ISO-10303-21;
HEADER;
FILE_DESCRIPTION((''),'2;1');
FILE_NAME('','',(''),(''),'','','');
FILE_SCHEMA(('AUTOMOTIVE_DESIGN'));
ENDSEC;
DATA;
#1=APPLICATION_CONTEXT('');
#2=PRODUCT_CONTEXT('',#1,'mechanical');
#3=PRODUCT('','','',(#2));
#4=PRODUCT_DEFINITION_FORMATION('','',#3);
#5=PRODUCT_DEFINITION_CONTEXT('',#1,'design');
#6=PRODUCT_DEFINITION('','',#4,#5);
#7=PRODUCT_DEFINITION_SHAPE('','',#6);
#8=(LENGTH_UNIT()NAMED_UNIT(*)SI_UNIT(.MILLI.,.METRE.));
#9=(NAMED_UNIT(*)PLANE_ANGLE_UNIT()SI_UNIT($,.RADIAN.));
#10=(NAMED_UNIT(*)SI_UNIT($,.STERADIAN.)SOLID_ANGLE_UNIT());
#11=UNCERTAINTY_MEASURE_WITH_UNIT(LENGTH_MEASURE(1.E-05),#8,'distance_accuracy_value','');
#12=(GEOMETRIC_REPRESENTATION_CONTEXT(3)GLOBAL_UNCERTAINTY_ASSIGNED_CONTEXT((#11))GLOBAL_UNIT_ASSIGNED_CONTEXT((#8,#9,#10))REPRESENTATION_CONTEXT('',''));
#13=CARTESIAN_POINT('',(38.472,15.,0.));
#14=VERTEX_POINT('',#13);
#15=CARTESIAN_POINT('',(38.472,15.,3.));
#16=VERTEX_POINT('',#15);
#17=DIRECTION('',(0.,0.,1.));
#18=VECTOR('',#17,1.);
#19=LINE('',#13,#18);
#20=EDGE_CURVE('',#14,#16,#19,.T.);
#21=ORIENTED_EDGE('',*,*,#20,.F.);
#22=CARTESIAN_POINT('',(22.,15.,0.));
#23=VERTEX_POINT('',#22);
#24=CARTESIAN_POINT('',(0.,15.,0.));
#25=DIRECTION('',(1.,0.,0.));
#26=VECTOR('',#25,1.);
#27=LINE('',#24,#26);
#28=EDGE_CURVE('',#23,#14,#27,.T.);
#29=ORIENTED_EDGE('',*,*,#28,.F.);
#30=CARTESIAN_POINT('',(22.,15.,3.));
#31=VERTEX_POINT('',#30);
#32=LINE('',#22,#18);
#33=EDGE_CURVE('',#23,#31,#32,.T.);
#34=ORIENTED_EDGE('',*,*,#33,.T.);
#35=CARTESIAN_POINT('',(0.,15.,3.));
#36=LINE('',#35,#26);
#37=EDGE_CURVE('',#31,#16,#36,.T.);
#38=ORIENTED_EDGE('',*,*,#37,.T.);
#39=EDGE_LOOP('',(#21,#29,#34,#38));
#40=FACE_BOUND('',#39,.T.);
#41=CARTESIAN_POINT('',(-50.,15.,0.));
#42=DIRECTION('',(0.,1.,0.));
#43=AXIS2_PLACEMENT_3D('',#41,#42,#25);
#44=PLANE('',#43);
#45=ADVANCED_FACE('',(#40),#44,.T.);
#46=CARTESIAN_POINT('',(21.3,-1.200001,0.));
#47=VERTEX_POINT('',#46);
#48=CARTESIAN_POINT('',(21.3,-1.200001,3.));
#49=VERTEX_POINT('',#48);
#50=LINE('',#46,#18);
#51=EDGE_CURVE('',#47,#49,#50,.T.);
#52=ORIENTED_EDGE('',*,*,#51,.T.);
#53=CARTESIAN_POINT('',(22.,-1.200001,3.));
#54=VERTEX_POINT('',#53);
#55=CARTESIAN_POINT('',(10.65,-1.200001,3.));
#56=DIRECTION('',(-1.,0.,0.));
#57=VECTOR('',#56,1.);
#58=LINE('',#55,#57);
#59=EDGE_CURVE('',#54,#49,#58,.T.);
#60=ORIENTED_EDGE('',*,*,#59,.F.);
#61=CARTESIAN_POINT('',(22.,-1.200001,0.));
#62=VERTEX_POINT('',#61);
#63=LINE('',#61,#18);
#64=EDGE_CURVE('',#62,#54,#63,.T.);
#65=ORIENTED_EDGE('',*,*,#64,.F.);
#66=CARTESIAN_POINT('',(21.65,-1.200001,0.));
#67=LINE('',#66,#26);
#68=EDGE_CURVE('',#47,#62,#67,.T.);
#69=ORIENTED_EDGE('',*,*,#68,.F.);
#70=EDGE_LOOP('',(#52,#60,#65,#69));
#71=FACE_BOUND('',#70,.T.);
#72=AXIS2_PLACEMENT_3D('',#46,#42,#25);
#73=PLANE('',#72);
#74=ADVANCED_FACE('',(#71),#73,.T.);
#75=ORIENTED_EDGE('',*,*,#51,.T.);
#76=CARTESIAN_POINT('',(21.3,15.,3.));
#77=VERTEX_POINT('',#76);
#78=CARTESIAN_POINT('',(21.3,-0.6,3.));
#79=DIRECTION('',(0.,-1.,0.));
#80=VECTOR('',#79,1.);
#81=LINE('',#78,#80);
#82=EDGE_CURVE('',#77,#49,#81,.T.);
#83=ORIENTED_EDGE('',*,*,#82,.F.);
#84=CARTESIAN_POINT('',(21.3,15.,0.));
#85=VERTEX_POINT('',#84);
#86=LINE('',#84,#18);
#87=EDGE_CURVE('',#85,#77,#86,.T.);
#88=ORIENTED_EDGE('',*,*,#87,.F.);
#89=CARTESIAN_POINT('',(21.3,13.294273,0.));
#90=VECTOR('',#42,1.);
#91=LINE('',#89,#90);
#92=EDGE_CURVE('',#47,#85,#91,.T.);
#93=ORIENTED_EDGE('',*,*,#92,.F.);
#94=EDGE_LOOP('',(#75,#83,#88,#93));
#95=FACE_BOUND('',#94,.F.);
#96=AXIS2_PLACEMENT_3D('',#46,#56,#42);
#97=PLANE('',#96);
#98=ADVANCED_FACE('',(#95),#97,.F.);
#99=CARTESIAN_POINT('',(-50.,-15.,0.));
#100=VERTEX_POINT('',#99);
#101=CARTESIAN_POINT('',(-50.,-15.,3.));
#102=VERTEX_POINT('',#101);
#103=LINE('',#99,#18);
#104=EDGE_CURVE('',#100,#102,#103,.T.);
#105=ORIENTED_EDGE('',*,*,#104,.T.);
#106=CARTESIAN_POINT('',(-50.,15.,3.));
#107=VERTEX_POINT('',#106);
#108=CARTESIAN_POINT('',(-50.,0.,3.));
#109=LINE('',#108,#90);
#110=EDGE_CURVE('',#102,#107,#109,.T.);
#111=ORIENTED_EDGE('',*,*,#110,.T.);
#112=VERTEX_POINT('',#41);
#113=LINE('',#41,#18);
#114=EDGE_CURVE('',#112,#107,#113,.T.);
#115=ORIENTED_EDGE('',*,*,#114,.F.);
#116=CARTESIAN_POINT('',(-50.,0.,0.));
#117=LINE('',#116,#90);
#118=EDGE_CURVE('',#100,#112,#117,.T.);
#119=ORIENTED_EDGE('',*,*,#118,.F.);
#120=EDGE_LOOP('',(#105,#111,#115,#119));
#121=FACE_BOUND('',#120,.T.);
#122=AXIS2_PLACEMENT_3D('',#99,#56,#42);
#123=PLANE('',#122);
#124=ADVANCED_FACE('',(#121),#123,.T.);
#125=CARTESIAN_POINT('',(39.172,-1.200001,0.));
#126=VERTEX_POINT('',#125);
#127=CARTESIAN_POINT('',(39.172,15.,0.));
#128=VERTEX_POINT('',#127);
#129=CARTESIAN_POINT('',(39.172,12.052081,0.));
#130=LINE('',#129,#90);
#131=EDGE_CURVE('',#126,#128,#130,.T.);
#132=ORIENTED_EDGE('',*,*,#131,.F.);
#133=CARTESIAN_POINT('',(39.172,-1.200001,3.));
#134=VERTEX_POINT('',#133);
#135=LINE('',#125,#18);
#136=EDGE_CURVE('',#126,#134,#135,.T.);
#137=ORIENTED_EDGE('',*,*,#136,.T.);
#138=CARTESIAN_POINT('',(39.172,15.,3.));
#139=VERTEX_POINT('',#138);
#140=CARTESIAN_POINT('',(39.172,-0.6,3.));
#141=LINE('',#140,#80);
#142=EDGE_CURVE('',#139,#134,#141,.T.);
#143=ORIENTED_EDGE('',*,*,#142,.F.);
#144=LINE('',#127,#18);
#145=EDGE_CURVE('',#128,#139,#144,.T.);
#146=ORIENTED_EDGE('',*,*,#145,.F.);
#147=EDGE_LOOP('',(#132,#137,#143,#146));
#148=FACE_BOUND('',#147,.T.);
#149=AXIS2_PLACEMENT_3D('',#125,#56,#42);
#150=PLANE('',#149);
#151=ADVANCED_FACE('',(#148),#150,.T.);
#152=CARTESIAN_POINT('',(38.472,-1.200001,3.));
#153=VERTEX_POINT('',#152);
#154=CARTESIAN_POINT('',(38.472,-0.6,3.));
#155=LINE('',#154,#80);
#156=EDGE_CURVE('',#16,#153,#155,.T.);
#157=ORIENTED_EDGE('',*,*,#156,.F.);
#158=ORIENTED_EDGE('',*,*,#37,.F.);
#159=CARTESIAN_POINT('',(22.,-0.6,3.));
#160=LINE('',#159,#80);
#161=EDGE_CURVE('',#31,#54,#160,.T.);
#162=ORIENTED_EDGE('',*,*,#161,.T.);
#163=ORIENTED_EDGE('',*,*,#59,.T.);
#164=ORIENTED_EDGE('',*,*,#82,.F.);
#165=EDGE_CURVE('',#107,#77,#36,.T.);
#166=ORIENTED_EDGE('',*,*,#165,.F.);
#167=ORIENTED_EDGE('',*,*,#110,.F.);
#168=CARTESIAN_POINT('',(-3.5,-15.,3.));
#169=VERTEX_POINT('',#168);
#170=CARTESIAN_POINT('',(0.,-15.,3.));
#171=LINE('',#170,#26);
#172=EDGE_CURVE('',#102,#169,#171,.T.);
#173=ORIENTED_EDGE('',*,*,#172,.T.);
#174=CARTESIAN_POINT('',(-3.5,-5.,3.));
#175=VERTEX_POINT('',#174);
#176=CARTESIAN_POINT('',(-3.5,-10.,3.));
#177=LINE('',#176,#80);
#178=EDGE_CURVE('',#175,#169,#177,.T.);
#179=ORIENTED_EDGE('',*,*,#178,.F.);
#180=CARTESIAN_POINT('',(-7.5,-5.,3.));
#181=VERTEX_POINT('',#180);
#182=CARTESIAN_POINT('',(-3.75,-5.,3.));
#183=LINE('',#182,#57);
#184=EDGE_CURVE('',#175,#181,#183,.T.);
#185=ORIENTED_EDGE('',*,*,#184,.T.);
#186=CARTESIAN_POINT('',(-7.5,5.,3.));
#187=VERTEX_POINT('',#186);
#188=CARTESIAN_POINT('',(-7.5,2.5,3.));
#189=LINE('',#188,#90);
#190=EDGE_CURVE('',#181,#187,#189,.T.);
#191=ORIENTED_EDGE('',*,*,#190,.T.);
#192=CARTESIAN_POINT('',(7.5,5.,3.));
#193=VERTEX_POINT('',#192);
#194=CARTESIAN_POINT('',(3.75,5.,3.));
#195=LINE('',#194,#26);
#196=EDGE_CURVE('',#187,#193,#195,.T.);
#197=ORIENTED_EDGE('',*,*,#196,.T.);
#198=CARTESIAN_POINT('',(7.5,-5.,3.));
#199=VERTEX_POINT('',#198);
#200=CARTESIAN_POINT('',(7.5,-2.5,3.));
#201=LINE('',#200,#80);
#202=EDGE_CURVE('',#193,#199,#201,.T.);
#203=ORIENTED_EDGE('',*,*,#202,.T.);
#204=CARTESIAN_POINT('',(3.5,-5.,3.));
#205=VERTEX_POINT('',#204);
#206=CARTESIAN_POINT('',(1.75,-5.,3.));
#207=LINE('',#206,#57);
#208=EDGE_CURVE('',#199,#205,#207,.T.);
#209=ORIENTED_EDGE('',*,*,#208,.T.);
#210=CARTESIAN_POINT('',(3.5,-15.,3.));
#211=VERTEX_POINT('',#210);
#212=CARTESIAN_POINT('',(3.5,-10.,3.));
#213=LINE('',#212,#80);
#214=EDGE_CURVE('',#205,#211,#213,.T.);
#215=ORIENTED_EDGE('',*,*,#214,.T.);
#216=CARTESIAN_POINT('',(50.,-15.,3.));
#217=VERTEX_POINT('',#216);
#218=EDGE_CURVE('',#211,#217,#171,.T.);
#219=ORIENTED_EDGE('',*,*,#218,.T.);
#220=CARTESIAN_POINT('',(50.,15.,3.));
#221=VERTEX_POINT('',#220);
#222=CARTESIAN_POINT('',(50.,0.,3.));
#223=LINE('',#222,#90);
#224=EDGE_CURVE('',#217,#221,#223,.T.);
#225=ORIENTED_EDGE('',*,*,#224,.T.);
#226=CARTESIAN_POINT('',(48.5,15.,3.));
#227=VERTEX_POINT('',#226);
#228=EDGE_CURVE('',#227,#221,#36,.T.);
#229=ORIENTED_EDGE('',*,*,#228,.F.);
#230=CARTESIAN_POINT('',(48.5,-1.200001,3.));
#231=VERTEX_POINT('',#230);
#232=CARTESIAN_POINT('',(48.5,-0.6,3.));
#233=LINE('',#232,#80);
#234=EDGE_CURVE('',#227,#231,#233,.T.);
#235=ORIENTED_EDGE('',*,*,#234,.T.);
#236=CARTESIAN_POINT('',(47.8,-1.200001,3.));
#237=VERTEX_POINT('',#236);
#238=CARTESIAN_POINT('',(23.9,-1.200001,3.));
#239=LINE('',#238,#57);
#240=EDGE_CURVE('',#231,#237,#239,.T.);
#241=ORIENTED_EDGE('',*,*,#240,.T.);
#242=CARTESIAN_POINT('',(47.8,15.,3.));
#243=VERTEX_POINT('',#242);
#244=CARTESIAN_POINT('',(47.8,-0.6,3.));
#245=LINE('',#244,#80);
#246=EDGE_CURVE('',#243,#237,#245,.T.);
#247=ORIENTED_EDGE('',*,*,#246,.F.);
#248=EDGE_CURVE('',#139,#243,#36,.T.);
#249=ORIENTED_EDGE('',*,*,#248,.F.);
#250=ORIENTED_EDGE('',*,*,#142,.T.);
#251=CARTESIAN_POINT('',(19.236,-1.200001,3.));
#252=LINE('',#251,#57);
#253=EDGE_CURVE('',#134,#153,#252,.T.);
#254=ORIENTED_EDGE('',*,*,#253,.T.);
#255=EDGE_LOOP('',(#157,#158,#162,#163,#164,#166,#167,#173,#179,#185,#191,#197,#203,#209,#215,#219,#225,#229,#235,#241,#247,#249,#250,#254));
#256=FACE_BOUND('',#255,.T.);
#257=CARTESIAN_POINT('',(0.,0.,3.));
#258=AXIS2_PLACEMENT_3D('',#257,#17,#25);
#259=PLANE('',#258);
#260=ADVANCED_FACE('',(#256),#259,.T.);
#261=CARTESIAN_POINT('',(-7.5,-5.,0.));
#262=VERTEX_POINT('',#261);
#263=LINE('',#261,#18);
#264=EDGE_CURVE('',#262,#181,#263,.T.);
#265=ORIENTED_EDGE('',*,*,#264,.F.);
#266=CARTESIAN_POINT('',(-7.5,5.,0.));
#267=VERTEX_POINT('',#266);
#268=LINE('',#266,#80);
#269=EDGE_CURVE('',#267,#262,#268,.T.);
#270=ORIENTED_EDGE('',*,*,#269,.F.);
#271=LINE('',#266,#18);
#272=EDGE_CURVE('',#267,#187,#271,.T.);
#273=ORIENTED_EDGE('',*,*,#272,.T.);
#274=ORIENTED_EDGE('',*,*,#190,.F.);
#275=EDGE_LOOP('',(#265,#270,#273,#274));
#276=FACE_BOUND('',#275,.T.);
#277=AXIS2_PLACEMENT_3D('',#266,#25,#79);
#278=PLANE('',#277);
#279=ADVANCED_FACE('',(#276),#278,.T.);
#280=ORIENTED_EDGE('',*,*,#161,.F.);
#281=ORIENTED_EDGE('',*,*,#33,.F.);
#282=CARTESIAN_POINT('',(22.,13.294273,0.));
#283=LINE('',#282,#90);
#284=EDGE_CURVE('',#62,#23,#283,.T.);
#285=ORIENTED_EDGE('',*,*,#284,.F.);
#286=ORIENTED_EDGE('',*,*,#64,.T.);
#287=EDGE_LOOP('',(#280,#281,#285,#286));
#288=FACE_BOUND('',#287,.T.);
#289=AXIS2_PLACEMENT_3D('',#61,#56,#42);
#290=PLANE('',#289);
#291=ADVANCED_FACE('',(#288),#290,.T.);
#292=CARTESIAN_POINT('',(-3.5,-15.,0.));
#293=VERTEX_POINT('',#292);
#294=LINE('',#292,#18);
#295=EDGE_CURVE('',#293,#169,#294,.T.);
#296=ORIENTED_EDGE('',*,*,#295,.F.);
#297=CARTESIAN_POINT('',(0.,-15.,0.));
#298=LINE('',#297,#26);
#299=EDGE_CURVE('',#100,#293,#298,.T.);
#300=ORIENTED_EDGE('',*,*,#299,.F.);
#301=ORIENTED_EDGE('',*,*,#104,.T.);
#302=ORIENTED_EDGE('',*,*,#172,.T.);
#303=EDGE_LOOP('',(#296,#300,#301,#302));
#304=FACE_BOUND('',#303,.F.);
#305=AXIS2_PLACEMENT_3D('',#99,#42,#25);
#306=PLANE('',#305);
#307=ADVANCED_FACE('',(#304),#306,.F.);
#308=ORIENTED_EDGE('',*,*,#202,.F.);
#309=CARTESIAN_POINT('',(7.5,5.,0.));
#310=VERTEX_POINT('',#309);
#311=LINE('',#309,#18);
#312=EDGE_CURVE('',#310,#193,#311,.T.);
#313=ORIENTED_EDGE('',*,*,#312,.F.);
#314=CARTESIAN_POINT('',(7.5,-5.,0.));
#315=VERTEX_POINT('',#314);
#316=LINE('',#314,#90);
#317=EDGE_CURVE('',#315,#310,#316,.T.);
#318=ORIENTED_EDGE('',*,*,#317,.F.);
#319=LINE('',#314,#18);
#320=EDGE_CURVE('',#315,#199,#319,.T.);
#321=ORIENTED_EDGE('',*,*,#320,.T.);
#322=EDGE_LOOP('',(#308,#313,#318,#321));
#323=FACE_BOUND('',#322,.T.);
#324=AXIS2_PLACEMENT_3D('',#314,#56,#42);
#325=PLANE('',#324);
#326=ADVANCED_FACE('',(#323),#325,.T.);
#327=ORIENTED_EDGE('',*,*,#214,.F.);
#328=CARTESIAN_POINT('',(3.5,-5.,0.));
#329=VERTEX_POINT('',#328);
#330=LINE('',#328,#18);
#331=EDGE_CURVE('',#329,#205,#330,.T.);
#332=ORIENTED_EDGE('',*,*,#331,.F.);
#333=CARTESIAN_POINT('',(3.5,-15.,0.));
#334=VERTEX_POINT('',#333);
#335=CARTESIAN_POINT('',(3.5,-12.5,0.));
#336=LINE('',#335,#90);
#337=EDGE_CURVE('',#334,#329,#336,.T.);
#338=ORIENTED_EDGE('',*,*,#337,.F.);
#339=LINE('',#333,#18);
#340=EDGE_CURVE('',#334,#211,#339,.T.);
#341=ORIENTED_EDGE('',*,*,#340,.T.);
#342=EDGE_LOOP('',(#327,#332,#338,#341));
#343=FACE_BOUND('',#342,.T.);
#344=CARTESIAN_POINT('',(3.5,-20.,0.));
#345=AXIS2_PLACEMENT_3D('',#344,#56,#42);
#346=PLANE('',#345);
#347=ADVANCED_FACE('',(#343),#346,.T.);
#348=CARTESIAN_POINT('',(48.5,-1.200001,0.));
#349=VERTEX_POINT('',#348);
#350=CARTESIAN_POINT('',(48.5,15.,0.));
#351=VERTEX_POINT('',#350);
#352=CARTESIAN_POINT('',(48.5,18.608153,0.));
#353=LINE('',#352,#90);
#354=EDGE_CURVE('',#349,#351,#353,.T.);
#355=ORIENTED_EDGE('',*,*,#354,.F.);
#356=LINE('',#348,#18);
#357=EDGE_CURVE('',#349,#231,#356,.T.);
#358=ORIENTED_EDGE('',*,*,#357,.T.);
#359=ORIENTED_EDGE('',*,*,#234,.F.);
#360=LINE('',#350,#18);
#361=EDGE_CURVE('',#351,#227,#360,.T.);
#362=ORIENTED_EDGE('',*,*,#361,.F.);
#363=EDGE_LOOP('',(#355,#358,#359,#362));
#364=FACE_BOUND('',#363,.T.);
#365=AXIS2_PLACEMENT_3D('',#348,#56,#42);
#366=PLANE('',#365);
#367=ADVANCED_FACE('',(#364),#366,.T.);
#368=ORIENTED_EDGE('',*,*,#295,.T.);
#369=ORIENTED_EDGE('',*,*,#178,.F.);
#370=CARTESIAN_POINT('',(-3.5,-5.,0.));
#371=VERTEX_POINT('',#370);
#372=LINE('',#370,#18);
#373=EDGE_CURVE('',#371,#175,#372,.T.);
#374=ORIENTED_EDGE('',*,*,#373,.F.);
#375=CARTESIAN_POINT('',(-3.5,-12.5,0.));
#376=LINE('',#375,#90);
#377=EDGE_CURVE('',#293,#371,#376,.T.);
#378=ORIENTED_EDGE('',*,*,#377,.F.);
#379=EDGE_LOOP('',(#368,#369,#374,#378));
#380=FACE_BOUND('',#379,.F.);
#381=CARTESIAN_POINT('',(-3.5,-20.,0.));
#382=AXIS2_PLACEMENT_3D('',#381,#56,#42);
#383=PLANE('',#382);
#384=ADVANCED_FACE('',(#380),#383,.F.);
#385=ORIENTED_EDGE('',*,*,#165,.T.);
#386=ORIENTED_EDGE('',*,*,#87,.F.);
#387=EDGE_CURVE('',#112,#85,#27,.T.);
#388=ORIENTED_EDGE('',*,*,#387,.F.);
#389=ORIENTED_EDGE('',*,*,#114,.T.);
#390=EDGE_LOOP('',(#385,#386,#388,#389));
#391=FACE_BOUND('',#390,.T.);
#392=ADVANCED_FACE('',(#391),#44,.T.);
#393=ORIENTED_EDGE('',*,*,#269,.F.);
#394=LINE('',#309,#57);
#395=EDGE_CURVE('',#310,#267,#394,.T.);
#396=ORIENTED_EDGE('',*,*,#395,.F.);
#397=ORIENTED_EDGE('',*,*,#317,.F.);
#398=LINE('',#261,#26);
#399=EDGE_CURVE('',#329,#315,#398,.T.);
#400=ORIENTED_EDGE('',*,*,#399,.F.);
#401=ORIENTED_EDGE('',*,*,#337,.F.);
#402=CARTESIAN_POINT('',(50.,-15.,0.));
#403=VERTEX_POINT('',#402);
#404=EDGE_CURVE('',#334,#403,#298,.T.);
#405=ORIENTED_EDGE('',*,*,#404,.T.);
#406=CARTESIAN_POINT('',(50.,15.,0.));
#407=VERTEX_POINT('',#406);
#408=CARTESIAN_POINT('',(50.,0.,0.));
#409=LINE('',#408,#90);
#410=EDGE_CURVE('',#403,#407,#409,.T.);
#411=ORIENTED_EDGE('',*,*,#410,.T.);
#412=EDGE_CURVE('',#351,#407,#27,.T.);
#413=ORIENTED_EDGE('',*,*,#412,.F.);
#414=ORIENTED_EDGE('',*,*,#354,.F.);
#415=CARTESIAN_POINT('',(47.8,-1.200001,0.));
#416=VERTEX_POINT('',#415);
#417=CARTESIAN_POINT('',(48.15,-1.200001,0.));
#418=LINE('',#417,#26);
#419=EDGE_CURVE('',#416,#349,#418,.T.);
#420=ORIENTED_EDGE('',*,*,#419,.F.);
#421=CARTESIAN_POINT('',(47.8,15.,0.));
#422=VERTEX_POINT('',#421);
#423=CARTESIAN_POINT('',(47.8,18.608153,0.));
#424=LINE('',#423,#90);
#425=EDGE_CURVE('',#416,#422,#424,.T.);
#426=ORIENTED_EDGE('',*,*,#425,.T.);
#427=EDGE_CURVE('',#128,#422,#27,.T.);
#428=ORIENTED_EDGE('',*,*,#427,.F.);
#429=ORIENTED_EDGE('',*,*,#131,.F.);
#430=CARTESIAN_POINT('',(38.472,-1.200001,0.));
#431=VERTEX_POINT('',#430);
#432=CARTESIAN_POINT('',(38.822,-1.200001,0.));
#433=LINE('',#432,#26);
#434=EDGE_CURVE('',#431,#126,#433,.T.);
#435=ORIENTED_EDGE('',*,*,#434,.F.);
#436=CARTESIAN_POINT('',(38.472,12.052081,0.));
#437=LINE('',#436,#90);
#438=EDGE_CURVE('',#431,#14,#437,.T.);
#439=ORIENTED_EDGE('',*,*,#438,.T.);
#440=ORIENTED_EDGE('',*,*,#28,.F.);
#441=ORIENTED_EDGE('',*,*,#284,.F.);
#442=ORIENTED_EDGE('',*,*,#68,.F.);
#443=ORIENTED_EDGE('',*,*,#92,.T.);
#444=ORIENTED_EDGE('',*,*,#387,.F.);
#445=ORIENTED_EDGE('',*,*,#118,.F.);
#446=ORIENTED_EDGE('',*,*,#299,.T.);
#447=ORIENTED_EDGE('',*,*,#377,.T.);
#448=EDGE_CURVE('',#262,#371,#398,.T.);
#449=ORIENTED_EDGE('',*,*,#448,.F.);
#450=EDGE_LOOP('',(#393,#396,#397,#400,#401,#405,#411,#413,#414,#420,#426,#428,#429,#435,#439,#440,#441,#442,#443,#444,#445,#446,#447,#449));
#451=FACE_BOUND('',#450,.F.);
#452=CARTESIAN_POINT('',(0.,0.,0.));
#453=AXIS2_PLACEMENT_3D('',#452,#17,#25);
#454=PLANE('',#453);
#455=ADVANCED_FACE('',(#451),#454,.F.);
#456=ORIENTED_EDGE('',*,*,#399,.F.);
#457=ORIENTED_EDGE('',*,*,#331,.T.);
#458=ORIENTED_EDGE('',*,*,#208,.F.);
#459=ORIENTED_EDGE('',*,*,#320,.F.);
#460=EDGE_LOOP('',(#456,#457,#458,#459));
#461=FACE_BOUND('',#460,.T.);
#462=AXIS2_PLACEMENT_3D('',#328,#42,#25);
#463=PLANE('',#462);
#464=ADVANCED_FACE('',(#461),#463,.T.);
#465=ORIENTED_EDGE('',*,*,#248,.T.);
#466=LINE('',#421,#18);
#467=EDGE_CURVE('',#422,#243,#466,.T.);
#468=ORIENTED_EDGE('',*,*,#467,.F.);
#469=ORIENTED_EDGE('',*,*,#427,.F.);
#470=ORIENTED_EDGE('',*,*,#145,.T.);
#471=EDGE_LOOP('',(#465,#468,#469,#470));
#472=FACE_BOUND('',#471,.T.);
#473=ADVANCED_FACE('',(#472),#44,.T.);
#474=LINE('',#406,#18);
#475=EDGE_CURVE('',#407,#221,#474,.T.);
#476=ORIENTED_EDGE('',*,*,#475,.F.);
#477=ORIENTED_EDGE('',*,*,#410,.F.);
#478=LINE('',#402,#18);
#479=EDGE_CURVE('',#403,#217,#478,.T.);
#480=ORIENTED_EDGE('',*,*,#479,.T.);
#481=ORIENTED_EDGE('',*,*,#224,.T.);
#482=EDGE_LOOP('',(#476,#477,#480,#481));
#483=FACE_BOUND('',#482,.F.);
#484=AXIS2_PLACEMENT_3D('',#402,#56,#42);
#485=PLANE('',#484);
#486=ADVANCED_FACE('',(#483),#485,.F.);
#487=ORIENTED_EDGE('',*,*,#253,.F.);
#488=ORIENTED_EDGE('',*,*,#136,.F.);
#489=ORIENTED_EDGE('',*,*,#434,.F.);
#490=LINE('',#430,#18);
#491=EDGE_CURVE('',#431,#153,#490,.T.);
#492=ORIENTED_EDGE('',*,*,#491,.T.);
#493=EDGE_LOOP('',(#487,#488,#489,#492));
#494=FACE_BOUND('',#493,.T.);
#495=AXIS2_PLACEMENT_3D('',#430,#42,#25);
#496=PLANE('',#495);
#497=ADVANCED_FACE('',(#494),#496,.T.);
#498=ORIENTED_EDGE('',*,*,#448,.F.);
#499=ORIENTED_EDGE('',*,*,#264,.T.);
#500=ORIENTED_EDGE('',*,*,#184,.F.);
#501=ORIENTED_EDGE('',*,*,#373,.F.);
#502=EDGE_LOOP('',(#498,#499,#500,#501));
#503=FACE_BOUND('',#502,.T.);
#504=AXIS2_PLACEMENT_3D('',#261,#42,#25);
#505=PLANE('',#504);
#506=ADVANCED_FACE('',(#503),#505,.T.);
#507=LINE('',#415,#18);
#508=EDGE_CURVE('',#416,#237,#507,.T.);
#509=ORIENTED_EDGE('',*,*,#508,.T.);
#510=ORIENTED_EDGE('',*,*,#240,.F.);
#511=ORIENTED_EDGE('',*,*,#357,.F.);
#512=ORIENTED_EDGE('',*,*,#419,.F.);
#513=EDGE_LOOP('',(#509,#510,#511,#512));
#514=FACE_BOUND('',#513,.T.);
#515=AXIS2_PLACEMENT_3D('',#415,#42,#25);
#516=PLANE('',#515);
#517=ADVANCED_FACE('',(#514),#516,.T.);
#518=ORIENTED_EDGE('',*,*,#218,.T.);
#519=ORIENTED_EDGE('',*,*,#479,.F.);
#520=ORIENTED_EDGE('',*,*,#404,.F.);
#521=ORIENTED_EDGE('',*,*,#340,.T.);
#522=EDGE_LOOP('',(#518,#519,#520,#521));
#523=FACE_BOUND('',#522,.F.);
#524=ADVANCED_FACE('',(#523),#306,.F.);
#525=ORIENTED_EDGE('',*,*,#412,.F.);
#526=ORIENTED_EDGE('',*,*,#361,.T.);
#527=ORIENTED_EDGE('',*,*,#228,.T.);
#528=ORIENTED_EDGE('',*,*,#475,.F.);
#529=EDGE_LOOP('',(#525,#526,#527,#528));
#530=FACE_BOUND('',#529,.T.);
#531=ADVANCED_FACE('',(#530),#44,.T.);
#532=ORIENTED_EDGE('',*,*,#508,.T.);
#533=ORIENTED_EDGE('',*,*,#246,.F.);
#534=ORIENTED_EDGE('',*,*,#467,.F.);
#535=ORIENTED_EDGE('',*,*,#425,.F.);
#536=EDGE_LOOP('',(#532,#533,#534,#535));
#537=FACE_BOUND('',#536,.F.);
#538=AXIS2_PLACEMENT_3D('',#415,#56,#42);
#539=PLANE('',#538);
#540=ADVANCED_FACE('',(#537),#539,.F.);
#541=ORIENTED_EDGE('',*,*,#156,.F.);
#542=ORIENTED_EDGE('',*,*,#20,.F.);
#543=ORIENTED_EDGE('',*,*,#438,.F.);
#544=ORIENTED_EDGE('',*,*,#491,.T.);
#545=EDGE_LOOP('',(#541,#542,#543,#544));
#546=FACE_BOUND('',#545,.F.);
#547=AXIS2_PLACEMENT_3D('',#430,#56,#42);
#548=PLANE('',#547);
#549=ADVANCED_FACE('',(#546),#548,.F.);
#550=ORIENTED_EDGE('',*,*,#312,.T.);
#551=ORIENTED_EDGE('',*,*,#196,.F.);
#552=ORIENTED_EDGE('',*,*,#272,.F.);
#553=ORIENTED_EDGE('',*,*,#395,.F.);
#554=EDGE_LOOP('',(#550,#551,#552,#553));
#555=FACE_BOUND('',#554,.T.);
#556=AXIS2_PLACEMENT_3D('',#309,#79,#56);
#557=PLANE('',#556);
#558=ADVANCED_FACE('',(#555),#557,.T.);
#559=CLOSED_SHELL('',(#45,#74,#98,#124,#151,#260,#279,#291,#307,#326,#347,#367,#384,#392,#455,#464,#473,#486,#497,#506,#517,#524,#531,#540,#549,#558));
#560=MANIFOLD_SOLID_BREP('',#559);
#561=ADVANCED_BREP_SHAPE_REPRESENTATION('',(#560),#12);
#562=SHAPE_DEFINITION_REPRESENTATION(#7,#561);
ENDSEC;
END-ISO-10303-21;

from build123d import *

# Parameters (mm, degrees)
F0_W     = 100
F0_H     = 30
F2_DEPTH = 3
F1_W     = 7
F1_H     = 15
F1_W_2   = 0.7
F1_H_2   = 28.988547
F1_H_3   = 39.616307
F1_H_4   = 26.504163
F3_DEPTH = 4


with BuildPart() as f2:
    # F0 (on Top) → F2 (new body)
    with BuildSketch(Plane.XY):
        Rectangle(F0_W, F0_H)
    extrude(amount=F2_DEPTH)

    # F1 (on Top) → F3 (cut)
    with BuildSketch(Plane.XY):
        Polygon((3.5, -5), (7.5, -5), (7.5, 5), (-7.5, 5), (-7.5, -5), (-3.5, -5), align=None)
        with Locations((0, -12.5)):
            Rectangle(F1_W, F1_H)
        with Locations((21.65, 13.294273)):
            Rectangle(F1_W_2, F1_H_2)
        with Locations((48.15, 18.608153)):
            Rectangle(F1_W_2, F1_H_3)
        with Locations((38.822, 12.052081)):
            Rectangle(F1_W_2, F1_H_4)
    extrude(amount=F3_DEPTH, mode=Mode.SUBTRACT)


solid = f2.part
